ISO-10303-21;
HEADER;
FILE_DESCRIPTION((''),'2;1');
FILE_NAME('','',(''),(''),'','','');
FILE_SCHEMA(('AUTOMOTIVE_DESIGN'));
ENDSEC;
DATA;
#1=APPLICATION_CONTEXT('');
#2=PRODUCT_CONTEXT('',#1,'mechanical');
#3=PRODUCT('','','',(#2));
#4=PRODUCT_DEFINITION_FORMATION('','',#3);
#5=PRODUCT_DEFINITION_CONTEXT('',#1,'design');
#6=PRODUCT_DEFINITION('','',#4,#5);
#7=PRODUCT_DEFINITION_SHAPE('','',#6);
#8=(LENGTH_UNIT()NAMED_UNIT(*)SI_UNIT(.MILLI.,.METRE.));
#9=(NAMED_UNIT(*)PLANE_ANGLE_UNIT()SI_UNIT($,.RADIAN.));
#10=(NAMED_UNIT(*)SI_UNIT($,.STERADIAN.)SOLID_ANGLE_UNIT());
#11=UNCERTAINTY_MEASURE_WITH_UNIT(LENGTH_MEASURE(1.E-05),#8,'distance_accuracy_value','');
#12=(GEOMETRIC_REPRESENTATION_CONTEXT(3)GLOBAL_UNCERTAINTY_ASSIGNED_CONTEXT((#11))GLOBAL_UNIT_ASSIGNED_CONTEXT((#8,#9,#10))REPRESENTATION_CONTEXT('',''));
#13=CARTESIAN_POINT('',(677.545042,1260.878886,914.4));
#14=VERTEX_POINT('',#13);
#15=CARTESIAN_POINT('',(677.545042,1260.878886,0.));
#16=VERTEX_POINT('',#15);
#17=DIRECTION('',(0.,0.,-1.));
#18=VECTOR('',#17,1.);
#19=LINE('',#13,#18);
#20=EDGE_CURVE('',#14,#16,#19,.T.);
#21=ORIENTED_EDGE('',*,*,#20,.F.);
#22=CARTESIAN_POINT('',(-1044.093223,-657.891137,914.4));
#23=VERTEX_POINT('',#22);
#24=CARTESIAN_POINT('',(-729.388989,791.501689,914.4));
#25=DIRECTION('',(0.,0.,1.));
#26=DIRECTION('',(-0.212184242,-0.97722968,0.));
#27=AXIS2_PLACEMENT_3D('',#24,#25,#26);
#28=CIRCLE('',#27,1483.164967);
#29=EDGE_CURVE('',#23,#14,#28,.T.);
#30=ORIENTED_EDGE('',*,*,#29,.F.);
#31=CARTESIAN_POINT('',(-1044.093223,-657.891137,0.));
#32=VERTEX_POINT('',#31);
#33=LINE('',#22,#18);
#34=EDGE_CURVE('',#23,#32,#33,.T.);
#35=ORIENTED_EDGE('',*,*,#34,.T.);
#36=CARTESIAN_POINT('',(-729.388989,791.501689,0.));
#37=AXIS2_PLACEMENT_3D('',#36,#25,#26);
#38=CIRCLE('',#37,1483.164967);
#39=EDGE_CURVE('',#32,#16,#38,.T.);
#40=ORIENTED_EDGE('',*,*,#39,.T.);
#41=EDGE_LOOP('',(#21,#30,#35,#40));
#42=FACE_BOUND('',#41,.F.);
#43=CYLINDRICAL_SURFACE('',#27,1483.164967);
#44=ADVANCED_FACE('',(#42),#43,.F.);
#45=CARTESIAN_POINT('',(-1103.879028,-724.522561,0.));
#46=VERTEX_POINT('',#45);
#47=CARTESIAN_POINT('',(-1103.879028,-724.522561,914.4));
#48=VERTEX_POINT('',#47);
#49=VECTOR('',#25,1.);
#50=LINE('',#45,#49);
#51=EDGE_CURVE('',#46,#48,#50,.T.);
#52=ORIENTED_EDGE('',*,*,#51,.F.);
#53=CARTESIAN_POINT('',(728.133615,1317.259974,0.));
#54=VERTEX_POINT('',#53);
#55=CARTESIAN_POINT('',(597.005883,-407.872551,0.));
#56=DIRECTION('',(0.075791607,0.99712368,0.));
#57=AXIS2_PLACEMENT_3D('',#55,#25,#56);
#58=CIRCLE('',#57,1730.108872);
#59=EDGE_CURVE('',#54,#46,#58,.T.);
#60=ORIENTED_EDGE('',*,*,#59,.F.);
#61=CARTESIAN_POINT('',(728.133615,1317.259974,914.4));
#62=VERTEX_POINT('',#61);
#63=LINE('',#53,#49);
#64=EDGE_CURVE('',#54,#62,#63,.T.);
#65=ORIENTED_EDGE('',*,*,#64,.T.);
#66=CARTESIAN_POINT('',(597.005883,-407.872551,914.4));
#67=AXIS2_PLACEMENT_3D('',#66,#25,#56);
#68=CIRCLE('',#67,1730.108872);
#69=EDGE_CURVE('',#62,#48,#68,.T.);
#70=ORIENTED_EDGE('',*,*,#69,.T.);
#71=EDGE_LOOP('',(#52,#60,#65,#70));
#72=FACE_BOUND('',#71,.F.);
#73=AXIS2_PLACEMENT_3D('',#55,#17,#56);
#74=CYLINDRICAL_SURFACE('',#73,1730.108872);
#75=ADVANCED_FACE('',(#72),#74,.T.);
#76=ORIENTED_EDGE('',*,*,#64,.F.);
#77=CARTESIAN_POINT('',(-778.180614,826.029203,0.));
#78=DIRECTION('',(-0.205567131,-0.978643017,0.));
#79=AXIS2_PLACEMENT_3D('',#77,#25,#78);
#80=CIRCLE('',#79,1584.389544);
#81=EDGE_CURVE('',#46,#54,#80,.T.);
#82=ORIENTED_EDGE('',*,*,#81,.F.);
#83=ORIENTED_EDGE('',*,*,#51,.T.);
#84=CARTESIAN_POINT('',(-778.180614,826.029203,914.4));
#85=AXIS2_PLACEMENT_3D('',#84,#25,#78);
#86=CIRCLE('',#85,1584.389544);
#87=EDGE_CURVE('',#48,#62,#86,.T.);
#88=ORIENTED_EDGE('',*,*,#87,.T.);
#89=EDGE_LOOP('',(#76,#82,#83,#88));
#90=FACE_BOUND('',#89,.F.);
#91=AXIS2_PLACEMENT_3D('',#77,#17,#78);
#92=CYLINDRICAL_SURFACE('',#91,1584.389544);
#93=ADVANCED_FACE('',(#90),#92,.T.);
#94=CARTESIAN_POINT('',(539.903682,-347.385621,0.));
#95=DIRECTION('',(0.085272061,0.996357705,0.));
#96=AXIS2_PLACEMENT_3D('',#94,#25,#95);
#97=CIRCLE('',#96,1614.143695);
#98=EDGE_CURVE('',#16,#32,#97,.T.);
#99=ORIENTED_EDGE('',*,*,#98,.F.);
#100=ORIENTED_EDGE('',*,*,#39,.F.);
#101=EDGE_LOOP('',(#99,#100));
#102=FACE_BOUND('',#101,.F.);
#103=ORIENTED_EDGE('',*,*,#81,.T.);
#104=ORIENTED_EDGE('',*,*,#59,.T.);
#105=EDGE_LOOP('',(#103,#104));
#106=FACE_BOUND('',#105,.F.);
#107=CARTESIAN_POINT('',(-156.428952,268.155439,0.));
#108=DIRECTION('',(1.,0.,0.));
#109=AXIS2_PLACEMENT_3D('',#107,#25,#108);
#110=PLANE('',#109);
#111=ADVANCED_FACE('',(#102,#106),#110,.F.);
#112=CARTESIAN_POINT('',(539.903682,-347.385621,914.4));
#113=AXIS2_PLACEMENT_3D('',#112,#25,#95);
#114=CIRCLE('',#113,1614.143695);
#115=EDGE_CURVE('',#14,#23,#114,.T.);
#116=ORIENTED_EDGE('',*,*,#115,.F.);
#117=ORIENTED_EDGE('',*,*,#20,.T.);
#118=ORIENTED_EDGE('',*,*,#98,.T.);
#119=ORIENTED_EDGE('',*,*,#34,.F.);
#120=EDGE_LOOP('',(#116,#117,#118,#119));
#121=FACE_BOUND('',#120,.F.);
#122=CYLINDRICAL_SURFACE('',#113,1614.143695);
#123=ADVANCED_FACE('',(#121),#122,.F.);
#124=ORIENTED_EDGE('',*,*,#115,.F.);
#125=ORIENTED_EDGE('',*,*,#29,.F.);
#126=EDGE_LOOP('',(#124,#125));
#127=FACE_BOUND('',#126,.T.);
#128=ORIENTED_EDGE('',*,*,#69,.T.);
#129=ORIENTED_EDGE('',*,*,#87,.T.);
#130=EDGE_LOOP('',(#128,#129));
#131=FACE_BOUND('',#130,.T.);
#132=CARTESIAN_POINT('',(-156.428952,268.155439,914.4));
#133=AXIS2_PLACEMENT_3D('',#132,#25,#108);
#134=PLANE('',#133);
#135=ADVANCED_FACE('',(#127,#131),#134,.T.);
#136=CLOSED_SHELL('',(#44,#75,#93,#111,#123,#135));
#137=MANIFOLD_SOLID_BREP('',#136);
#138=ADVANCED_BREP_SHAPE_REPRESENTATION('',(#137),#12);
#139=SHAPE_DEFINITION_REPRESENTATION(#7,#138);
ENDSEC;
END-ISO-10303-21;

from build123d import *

# Parameters (mm, degrees)
F1_DEPTH = 914.4
F3_DEPTH = 914.401


with BuildPart() as f1:
    # F0 (on Top) → F1 (new body)
    with BuildSketch(Plane.XY):
        with BuildLine():
            ThreePointArc((-1103.879028, -724.522561), (401.091367, -232.086019), (728.133615, 1317.259974))
            ThreePointArc((728.133615, 1317.259974), (-690.725991, 747.559546), (-1103.879028, -724.522561))
        make_face()
    extrude(amount=F1_DEPTH)

    # F2 (on face) → F3 (cut, through all)
    with BuildSketch(Plane.XY.offset(914.4)):
        with BuildLine():
            ThreePointArc((677.545042, 1260.878886), (-661.514518, 730.600547), (-1044.093223, -657.891137))
            ThreePointArc((-1044.093223, -657.891137), (374.540847, -199.011934), (677.545042, 1260.878886))
        make_face()
    extrude(amount=-F3_DEPTH, mode=Mode.SUBTRACT)


solid = f1.part
